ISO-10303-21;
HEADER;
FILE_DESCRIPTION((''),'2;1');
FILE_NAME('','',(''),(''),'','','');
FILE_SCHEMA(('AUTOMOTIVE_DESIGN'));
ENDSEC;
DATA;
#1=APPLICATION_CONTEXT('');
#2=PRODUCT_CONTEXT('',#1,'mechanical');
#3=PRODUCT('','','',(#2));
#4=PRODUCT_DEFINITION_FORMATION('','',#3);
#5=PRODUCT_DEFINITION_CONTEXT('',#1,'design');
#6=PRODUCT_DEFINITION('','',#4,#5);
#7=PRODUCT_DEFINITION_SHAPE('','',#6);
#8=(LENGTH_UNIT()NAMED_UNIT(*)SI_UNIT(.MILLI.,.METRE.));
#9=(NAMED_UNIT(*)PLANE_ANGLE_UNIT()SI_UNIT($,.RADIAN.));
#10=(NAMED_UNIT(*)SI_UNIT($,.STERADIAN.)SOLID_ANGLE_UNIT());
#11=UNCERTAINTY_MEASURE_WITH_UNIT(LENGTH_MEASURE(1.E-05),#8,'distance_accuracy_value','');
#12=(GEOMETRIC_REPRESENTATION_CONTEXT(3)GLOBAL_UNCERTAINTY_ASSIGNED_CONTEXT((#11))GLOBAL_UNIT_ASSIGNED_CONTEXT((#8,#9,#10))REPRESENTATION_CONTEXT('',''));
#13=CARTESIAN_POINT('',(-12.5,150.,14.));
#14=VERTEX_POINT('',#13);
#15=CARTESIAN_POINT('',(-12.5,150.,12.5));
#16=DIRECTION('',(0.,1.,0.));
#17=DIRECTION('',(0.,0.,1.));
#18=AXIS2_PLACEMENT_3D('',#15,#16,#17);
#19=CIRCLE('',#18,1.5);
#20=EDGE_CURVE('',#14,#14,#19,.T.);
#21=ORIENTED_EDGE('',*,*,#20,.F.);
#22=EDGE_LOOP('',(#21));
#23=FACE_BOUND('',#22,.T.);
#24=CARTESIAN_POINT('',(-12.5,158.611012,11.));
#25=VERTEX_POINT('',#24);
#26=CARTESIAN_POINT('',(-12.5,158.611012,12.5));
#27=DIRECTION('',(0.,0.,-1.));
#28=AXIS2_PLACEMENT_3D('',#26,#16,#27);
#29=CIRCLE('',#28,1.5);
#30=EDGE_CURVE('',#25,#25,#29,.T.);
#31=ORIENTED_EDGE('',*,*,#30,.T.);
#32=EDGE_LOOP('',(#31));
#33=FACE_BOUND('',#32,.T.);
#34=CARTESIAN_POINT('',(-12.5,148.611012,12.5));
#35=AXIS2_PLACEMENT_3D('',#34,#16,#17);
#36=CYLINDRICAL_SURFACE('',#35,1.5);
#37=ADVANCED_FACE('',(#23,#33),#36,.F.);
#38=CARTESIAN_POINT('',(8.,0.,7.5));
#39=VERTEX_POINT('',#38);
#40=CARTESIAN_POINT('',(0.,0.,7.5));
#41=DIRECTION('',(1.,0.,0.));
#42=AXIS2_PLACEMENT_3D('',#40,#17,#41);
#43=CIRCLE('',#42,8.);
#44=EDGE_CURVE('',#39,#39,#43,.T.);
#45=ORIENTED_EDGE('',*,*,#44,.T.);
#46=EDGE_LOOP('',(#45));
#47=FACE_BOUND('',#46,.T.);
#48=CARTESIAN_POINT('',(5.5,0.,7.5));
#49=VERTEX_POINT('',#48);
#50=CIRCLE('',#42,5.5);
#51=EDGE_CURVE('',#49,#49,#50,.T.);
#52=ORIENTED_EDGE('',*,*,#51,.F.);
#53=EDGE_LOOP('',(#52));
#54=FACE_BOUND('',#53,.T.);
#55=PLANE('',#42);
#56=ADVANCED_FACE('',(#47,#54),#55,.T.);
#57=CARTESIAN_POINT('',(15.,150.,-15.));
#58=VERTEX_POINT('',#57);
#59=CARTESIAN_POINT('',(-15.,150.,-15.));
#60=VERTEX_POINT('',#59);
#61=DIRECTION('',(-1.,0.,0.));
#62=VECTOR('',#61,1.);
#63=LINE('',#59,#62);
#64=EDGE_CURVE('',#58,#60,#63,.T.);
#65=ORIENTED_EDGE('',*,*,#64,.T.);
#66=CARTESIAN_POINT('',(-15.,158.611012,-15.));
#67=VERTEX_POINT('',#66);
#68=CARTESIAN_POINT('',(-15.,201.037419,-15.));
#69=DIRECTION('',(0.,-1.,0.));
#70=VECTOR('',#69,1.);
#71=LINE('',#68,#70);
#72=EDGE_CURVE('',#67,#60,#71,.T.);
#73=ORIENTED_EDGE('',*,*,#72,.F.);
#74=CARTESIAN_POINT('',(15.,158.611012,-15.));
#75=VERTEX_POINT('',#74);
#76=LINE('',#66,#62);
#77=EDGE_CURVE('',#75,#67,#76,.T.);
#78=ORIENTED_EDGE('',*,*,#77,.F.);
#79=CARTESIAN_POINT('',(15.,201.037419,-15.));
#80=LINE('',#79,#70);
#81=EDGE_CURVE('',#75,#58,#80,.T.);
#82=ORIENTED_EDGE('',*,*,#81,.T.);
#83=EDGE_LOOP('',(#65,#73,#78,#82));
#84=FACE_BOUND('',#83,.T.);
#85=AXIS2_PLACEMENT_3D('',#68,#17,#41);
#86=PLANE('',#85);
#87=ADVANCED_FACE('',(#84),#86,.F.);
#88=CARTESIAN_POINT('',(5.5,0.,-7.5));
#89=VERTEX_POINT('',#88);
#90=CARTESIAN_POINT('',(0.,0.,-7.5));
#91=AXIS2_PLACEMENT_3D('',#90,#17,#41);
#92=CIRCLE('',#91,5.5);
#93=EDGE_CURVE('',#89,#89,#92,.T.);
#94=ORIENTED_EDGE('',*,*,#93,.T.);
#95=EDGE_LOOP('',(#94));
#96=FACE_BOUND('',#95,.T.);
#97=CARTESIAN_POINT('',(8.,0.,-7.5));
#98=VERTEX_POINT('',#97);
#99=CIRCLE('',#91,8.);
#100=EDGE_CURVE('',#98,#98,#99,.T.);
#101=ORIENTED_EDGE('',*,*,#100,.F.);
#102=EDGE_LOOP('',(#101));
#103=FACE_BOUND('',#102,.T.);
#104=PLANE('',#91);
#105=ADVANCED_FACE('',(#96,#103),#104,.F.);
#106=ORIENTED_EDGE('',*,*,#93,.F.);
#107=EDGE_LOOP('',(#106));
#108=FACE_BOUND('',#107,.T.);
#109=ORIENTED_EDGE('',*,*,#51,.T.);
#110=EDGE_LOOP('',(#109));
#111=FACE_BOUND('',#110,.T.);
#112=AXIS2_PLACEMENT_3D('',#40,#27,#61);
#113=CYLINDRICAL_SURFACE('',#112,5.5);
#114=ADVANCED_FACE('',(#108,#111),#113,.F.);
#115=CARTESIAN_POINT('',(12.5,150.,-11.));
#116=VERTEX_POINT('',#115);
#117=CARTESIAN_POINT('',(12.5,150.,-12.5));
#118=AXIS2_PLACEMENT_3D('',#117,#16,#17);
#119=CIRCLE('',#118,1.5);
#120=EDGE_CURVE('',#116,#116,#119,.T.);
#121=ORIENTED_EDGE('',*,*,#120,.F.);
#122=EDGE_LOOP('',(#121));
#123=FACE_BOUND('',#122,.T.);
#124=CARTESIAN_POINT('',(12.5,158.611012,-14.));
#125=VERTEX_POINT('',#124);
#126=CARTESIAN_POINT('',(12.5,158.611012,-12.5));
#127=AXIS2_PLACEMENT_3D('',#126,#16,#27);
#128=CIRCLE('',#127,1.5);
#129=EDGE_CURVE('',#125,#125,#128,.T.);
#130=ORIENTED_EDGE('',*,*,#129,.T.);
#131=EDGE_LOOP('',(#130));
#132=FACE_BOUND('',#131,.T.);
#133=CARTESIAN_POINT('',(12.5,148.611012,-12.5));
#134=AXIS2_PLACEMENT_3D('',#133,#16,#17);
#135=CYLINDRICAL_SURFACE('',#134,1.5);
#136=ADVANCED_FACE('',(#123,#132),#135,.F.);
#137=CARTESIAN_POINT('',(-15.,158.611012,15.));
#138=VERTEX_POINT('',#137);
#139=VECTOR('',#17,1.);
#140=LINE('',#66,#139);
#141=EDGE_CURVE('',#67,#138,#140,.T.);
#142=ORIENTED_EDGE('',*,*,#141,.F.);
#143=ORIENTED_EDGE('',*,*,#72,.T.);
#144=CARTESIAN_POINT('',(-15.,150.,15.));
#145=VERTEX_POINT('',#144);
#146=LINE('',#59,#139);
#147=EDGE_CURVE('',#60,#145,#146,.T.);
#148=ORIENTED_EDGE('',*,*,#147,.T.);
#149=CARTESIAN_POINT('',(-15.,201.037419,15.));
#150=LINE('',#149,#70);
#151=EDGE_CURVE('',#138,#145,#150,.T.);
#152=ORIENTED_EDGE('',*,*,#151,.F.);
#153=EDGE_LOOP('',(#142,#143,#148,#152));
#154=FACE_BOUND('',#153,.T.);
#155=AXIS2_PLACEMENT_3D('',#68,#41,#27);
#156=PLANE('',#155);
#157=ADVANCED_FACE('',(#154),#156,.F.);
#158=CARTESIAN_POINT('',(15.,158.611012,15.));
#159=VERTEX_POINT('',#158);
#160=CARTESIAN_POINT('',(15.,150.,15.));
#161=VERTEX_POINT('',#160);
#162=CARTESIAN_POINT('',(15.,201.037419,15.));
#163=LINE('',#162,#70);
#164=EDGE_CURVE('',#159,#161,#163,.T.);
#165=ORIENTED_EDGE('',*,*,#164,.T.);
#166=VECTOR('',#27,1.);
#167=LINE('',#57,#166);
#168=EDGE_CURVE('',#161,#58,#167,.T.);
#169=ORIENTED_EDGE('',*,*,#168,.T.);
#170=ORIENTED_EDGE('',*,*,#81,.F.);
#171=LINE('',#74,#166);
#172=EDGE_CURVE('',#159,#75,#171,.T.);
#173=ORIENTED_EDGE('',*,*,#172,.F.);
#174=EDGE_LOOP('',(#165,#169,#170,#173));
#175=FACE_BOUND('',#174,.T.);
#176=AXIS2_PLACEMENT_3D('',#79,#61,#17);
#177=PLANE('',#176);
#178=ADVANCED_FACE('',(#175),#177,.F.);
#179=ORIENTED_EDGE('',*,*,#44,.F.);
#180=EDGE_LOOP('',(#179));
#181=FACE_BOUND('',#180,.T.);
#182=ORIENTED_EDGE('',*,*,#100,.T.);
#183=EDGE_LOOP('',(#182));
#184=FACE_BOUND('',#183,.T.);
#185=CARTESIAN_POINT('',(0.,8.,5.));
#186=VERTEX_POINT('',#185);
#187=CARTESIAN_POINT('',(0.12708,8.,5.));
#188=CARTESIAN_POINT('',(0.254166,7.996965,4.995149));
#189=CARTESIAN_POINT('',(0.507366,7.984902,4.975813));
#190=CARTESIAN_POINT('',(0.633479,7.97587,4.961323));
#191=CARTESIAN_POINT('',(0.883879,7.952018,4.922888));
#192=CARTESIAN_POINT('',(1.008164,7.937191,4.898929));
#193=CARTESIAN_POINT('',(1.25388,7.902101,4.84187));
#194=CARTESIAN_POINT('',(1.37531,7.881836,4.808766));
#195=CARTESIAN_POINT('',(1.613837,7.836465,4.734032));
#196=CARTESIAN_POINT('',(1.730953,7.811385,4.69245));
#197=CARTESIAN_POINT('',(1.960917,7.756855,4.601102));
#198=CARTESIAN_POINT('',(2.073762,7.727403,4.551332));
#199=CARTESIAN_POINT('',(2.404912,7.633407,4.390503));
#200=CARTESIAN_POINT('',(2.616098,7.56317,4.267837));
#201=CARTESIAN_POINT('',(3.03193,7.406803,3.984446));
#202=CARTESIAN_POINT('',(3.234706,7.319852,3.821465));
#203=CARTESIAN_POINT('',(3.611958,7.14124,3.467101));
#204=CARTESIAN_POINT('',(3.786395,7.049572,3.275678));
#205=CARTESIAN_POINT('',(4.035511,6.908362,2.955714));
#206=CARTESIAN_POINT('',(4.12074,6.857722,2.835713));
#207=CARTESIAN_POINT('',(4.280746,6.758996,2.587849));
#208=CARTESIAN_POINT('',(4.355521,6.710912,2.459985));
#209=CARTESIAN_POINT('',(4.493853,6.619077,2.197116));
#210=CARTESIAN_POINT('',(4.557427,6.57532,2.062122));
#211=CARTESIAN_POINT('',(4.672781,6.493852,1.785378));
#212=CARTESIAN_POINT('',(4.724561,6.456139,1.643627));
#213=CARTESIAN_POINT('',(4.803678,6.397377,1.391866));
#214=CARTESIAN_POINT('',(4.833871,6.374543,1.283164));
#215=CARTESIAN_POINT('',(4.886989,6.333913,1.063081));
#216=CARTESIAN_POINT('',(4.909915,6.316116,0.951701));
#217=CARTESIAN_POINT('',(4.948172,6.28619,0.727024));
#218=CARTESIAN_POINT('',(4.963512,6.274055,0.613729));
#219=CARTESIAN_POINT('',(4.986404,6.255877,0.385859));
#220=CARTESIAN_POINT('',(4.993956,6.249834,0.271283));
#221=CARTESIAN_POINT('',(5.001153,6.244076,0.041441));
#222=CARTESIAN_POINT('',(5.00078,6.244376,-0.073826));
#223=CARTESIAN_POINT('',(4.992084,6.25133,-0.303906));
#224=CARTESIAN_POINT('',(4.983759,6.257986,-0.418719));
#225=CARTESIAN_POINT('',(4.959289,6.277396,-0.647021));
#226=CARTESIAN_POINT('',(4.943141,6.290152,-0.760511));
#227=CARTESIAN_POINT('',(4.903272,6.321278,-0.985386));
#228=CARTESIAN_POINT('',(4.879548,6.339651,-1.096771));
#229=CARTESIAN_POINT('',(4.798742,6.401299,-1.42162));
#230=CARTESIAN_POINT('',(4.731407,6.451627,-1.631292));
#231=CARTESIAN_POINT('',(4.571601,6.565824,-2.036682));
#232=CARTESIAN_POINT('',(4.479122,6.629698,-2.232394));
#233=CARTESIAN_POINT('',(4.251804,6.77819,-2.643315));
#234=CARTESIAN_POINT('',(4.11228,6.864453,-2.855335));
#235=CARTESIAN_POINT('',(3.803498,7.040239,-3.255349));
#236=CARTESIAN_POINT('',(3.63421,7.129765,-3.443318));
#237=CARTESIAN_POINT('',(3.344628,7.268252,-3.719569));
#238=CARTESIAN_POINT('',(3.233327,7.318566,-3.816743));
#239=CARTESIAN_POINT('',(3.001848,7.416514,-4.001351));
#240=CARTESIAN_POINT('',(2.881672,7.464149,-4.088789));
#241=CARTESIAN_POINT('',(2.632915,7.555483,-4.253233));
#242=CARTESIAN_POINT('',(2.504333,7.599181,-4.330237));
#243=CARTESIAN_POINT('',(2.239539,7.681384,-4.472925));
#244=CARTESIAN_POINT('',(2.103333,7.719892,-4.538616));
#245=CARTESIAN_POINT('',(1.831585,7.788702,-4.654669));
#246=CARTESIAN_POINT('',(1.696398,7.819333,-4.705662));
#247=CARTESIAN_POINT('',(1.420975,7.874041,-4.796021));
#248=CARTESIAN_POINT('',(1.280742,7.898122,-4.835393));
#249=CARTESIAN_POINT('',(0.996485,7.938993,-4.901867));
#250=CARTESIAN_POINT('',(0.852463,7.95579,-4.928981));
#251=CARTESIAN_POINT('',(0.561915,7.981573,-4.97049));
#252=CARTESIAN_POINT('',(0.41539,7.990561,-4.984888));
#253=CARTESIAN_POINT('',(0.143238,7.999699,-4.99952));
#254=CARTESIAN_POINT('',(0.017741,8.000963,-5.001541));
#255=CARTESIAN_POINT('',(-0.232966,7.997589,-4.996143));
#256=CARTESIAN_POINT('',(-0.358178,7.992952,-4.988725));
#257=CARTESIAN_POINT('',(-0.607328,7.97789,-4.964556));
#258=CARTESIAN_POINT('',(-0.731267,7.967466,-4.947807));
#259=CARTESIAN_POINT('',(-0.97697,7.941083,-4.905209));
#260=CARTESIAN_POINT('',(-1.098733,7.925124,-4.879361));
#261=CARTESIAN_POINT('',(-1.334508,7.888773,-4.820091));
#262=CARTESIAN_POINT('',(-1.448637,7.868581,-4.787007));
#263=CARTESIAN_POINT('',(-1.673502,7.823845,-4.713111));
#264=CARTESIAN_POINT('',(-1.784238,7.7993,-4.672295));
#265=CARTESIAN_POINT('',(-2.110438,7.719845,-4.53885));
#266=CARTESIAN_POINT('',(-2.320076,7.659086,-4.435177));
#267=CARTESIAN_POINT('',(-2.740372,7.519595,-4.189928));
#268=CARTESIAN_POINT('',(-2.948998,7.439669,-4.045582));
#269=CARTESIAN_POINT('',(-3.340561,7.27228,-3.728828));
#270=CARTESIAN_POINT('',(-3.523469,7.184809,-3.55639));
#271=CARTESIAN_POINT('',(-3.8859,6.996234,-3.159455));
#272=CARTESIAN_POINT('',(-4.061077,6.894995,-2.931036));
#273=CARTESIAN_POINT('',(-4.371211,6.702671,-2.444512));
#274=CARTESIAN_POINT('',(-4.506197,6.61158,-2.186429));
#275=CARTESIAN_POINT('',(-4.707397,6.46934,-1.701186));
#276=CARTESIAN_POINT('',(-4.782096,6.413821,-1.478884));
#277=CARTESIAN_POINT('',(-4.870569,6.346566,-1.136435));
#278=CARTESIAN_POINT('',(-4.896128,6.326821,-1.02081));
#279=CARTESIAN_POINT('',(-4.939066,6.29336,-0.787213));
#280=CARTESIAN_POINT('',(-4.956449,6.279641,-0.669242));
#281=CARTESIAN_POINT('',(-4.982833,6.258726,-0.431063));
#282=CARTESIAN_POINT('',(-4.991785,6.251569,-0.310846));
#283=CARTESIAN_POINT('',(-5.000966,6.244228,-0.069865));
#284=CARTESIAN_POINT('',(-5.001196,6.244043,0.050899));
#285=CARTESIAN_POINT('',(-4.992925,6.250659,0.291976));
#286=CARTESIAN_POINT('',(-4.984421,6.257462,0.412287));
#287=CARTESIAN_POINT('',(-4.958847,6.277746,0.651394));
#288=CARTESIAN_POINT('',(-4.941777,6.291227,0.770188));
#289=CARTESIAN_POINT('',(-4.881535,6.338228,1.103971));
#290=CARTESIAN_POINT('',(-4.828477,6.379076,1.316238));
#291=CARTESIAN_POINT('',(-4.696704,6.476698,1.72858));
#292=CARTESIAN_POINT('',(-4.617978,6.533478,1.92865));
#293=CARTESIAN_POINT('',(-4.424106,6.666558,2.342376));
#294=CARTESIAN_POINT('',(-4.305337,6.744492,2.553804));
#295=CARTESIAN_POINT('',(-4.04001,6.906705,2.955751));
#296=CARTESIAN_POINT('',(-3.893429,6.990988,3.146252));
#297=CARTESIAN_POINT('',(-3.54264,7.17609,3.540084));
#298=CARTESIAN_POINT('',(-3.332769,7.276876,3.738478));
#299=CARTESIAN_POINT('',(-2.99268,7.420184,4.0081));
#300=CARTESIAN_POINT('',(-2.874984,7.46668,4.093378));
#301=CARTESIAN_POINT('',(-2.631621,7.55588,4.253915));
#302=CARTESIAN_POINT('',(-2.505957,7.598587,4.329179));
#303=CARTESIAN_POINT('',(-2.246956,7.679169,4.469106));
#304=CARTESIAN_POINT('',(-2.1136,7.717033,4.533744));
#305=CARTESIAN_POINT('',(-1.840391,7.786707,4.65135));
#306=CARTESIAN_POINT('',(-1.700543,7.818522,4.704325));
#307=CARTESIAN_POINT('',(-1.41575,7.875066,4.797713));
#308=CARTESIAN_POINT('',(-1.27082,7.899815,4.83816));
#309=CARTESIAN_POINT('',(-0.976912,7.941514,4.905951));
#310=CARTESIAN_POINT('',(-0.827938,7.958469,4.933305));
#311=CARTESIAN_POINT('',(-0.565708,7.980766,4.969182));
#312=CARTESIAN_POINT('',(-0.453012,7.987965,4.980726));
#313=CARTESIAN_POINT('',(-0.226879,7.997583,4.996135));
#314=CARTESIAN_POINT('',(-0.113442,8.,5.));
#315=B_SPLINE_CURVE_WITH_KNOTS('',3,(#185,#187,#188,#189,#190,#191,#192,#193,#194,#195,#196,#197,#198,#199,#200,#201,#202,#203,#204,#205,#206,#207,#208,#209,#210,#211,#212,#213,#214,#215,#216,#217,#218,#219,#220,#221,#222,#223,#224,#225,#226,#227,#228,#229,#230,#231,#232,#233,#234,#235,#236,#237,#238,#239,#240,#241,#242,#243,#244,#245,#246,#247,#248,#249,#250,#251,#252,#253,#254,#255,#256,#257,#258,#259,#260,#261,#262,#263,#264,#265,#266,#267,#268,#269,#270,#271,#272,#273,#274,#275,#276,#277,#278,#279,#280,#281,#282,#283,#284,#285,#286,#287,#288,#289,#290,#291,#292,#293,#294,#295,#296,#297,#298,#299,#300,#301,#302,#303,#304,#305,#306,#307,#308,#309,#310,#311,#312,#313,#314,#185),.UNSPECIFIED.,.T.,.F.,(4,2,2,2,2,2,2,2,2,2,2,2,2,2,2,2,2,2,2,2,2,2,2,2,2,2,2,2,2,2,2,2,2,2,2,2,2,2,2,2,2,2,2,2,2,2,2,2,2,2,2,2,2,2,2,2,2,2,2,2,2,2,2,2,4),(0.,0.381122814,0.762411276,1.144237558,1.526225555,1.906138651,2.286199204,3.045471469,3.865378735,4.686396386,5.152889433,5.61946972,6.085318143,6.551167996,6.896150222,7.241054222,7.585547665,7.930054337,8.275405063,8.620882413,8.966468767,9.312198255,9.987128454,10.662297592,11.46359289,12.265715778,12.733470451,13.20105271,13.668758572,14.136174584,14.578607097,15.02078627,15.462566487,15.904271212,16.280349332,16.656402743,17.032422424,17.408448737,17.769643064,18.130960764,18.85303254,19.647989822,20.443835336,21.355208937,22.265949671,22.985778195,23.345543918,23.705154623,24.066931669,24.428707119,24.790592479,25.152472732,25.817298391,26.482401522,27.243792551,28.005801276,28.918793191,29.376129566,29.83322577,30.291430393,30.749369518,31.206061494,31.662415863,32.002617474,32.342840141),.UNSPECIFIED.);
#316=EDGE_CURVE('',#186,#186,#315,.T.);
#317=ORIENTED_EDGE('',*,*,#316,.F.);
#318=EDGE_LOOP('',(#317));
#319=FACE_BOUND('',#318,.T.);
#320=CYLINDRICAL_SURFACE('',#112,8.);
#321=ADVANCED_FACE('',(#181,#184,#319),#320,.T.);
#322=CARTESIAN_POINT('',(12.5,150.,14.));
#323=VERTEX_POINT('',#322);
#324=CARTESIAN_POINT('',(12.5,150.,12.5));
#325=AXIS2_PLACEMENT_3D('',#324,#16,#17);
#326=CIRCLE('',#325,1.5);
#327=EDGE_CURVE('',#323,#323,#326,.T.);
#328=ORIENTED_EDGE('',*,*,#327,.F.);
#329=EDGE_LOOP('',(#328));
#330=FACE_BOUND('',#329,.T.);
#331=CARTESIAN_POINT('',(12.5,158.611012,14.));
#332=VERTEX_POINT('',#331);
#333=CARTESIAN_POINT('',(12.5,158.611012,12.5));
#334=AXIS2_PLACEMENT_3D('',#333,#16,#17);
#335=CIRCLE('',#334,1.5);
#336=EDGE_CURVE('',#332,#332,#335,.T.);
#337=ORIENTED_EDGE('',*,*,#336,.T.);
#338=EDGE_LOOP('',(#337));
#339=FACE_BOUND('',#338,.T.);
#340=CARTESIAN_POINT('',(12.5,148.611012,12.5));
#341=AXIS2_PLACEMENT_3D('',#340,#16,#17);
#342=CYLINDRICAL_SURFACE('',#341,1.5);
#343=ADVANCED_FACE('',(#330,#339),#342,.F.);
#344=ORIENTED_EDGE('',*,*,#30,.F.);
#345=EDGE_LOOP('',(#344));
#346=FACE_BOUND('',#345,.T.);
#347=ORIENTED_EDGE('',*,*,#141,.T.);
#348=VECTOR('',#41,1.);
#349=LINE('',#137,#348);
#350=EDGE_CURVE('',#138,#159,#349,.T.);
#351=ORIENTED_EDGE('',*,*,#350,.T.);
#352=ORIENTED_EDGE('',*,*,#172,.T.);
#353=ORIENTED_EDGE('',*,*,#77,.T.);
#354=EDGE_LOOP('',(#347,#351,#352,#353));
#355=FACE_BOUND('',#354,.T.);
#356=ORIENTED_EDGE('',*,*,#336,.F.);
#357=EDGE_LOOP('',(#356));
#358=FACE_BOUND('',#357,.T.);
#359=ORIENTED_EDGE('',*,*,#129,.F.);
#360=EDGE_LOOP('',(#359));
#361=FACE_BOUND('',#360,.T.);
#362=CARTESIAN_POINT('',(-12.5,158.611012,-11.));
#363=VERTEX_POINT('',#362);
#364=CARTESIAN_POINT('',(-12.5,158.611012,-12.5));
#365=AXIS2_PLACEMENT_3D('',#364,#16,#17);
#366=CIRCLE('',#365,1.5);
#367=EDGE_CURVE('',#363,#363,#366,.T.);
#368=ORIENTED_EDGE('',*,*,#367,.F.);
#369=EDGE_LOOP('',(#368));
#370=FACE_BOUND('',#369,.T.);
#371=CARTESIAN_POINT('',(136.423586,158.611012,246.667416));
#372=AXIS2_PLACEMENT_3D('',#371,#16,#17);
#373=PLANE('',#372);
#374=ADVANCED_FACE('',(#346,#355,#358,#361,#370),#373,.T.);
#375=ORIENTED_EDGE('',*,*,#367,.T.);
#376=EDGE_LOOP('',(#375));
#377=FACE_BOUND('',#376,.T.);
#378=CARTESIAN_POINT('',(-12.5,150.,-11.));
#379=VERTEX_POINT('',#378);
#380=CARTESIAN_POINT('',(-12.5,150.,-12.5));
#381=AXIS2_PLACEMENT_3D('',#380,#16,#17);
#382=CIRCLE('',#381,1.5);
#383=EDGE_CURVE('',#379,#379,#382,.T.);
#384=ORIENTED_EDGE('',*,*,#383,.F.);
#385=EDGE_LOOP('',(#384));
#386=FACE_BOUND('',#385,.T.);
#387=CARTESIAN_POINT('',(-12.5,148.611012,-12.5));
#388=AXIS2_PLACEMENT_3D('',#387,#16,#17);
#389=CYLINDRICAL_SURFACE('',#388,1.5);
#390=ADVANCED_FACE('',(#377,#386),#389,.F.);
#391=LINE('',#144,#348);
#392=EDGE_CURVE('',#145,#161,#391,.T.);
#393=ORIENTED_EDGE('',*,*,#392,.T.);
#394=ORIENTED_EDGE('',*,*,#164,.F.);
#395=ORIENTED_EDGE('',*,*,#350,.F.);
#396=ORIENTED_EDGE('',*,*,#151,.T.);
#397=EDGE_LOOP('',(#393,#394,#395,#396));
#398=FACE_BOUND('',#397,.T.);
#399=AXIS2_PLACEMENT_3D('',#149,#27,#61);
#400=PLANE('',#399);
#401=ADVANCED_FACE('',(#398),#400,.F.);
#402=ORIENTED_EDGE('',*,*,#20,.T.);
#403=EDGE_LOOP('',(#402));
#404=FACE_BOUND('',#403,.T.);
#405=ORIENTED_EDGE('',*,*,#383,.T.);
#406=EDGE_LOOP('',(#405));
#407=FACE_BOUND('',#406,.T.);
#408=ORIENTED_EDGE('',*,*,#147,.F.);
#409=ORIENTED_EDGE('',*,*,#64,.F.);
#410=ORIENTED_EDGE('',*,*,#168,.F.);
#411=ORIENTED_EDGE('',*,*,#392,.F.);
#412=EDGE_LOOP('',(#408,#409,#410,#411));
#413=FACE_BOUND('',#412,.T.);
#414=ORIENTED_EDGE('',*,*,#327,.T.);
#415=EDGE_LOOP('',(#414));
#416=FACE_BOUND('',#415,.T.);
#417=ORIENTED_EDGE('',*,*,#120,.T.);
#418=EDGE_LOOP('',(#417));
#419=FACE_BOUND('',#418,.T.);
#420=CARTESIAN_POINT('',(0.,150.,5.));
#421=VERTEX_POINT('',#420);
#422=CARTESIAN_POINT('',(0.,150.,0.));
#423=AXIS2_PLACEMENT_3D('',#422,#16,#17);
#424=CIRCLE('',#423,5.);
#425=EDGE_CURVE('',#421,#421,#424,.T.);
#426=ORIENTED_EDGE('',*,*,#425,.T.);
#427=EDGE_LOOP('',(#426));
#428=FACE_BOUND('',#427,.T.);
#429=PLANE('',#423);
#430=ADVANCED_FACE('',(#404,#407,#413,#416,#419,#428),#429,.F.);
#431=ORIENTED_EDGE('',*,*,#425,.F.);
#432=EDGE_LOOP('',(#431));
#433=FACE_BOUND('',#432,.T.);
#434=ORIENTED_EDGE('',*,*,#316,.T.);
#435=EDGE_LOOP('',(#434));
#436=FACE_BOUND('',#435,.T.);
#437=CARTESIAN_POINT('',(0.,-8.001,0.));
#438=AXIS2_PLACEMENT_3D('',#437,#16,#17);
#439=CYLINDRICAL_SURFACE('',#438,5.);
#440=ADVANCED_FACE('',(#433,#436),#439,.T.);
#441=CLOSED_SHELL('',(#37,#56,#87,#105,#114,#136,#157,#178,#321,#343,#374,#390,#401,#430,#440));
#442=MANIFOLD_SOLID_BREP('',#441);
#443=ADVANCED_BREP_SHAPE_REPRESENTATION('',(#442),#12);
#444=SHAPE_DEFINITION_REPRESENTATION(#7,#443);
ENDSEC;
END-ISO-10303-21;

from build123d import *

# Parameters (mm, degrees)
SKETCH_1_R           = 8
SKETCH_1_R_2         = 5.5
EXTRUDE_1_DEPTH      = 7.5
EXTRUDE_2_REACH      = 160.38
EXTRUDE_2_END_RADIUS = 8
SKETCH_2_R           = 5
SKETCH_3_W           = 30
SKETCH_3_H           = 30
EXTRUDE_3_DEPTH      = 8.61101214
SKETCH_4_R           = 1.5
CUT_EXTRUDE_1_DEPTH  = 10


with BuildPart() as part:
    # 草图1 → 凸台-拉伸1 (new, symmetric)
    with BuildSketch(Plane.XY):
        Circle(SKETCH_1_R)
        Circle(SKETCH_1_R_2, mode=Mode.SUBTRACT)
    extrude(amount=EXTRUDE_1_DEPTH, both=True)

    # 凸台-拉伸2: up to this cylinder (the profile starts outside it)
    extrude_2_end = Plane(origin=(0, 0, 0), z_dir=(0, 0, -1)) * Cylinder(EXTRUDE_2_END_RADIUS, 337.76, mode=Mode.PRIVATE)
    # 草图2 → 凸台-拉伸2 (add, up to the surface)
    with BuildSketch(Plane(origin=(0, 150, 0), x_dir=(1, 0, 0), z_dir=(0, 1, 0)), mode=Mode.PRIVATE) as extrude_2_sk1:
        with Locations(Location((0, 0, 0), (0, 0, 270))):
            Circle(SKETCH_2_R)
    extrude_2_tool1 = extrude(extrude_2_sk1.sketch, amount=-EXTRUDE_2_REACH, mode=Mode.PRIVATE) - extrude_2_end
    add(extrude_2_tool1.solids().sort_by_distance((0, 150, 0))[0])

    # 草图3 → 凸台-拉伸3 (add)
    with BuildSketch(Plane(origin=(0, 150, 0), x_dir=(1, 0, 0), z_dir=(0, 1, 0))):
        Rectangle(SKETCH_3_W, SKETCH_3_H)
    extrude(amount=EXTRUDE_3_DEPTH)

    # 草图4 → 切除-拉伸1 (cut)
    with BuildSketch(Plane(origin=(0, 158.61101214, 0), x_dir=(1, 0, 0), z_dir=(0, 1, 0))):
        with Locations(Location((12.5, -12.5, 0), (0, 0, 270))):
            Circle(SKETCH_4_R)
        with Locations(Location((12.5, 12.5, 0), (0, 0, 270))):
            Circle(SKETCH_4_R)
        with Locations(Location((-12.5, -12.5, 0), (0, 0, 270))):
            Circle(SKETCH_4_R)
        with Locations(Location((-12.5, 12.5, 0), (0, 0, 270))):
            Circle(SKETCH_4_R)
    extrude(amount=-CUT_EXTRUDE_1_DEPTH, mode=Mode.SUBTRACT)


solid = part.part
